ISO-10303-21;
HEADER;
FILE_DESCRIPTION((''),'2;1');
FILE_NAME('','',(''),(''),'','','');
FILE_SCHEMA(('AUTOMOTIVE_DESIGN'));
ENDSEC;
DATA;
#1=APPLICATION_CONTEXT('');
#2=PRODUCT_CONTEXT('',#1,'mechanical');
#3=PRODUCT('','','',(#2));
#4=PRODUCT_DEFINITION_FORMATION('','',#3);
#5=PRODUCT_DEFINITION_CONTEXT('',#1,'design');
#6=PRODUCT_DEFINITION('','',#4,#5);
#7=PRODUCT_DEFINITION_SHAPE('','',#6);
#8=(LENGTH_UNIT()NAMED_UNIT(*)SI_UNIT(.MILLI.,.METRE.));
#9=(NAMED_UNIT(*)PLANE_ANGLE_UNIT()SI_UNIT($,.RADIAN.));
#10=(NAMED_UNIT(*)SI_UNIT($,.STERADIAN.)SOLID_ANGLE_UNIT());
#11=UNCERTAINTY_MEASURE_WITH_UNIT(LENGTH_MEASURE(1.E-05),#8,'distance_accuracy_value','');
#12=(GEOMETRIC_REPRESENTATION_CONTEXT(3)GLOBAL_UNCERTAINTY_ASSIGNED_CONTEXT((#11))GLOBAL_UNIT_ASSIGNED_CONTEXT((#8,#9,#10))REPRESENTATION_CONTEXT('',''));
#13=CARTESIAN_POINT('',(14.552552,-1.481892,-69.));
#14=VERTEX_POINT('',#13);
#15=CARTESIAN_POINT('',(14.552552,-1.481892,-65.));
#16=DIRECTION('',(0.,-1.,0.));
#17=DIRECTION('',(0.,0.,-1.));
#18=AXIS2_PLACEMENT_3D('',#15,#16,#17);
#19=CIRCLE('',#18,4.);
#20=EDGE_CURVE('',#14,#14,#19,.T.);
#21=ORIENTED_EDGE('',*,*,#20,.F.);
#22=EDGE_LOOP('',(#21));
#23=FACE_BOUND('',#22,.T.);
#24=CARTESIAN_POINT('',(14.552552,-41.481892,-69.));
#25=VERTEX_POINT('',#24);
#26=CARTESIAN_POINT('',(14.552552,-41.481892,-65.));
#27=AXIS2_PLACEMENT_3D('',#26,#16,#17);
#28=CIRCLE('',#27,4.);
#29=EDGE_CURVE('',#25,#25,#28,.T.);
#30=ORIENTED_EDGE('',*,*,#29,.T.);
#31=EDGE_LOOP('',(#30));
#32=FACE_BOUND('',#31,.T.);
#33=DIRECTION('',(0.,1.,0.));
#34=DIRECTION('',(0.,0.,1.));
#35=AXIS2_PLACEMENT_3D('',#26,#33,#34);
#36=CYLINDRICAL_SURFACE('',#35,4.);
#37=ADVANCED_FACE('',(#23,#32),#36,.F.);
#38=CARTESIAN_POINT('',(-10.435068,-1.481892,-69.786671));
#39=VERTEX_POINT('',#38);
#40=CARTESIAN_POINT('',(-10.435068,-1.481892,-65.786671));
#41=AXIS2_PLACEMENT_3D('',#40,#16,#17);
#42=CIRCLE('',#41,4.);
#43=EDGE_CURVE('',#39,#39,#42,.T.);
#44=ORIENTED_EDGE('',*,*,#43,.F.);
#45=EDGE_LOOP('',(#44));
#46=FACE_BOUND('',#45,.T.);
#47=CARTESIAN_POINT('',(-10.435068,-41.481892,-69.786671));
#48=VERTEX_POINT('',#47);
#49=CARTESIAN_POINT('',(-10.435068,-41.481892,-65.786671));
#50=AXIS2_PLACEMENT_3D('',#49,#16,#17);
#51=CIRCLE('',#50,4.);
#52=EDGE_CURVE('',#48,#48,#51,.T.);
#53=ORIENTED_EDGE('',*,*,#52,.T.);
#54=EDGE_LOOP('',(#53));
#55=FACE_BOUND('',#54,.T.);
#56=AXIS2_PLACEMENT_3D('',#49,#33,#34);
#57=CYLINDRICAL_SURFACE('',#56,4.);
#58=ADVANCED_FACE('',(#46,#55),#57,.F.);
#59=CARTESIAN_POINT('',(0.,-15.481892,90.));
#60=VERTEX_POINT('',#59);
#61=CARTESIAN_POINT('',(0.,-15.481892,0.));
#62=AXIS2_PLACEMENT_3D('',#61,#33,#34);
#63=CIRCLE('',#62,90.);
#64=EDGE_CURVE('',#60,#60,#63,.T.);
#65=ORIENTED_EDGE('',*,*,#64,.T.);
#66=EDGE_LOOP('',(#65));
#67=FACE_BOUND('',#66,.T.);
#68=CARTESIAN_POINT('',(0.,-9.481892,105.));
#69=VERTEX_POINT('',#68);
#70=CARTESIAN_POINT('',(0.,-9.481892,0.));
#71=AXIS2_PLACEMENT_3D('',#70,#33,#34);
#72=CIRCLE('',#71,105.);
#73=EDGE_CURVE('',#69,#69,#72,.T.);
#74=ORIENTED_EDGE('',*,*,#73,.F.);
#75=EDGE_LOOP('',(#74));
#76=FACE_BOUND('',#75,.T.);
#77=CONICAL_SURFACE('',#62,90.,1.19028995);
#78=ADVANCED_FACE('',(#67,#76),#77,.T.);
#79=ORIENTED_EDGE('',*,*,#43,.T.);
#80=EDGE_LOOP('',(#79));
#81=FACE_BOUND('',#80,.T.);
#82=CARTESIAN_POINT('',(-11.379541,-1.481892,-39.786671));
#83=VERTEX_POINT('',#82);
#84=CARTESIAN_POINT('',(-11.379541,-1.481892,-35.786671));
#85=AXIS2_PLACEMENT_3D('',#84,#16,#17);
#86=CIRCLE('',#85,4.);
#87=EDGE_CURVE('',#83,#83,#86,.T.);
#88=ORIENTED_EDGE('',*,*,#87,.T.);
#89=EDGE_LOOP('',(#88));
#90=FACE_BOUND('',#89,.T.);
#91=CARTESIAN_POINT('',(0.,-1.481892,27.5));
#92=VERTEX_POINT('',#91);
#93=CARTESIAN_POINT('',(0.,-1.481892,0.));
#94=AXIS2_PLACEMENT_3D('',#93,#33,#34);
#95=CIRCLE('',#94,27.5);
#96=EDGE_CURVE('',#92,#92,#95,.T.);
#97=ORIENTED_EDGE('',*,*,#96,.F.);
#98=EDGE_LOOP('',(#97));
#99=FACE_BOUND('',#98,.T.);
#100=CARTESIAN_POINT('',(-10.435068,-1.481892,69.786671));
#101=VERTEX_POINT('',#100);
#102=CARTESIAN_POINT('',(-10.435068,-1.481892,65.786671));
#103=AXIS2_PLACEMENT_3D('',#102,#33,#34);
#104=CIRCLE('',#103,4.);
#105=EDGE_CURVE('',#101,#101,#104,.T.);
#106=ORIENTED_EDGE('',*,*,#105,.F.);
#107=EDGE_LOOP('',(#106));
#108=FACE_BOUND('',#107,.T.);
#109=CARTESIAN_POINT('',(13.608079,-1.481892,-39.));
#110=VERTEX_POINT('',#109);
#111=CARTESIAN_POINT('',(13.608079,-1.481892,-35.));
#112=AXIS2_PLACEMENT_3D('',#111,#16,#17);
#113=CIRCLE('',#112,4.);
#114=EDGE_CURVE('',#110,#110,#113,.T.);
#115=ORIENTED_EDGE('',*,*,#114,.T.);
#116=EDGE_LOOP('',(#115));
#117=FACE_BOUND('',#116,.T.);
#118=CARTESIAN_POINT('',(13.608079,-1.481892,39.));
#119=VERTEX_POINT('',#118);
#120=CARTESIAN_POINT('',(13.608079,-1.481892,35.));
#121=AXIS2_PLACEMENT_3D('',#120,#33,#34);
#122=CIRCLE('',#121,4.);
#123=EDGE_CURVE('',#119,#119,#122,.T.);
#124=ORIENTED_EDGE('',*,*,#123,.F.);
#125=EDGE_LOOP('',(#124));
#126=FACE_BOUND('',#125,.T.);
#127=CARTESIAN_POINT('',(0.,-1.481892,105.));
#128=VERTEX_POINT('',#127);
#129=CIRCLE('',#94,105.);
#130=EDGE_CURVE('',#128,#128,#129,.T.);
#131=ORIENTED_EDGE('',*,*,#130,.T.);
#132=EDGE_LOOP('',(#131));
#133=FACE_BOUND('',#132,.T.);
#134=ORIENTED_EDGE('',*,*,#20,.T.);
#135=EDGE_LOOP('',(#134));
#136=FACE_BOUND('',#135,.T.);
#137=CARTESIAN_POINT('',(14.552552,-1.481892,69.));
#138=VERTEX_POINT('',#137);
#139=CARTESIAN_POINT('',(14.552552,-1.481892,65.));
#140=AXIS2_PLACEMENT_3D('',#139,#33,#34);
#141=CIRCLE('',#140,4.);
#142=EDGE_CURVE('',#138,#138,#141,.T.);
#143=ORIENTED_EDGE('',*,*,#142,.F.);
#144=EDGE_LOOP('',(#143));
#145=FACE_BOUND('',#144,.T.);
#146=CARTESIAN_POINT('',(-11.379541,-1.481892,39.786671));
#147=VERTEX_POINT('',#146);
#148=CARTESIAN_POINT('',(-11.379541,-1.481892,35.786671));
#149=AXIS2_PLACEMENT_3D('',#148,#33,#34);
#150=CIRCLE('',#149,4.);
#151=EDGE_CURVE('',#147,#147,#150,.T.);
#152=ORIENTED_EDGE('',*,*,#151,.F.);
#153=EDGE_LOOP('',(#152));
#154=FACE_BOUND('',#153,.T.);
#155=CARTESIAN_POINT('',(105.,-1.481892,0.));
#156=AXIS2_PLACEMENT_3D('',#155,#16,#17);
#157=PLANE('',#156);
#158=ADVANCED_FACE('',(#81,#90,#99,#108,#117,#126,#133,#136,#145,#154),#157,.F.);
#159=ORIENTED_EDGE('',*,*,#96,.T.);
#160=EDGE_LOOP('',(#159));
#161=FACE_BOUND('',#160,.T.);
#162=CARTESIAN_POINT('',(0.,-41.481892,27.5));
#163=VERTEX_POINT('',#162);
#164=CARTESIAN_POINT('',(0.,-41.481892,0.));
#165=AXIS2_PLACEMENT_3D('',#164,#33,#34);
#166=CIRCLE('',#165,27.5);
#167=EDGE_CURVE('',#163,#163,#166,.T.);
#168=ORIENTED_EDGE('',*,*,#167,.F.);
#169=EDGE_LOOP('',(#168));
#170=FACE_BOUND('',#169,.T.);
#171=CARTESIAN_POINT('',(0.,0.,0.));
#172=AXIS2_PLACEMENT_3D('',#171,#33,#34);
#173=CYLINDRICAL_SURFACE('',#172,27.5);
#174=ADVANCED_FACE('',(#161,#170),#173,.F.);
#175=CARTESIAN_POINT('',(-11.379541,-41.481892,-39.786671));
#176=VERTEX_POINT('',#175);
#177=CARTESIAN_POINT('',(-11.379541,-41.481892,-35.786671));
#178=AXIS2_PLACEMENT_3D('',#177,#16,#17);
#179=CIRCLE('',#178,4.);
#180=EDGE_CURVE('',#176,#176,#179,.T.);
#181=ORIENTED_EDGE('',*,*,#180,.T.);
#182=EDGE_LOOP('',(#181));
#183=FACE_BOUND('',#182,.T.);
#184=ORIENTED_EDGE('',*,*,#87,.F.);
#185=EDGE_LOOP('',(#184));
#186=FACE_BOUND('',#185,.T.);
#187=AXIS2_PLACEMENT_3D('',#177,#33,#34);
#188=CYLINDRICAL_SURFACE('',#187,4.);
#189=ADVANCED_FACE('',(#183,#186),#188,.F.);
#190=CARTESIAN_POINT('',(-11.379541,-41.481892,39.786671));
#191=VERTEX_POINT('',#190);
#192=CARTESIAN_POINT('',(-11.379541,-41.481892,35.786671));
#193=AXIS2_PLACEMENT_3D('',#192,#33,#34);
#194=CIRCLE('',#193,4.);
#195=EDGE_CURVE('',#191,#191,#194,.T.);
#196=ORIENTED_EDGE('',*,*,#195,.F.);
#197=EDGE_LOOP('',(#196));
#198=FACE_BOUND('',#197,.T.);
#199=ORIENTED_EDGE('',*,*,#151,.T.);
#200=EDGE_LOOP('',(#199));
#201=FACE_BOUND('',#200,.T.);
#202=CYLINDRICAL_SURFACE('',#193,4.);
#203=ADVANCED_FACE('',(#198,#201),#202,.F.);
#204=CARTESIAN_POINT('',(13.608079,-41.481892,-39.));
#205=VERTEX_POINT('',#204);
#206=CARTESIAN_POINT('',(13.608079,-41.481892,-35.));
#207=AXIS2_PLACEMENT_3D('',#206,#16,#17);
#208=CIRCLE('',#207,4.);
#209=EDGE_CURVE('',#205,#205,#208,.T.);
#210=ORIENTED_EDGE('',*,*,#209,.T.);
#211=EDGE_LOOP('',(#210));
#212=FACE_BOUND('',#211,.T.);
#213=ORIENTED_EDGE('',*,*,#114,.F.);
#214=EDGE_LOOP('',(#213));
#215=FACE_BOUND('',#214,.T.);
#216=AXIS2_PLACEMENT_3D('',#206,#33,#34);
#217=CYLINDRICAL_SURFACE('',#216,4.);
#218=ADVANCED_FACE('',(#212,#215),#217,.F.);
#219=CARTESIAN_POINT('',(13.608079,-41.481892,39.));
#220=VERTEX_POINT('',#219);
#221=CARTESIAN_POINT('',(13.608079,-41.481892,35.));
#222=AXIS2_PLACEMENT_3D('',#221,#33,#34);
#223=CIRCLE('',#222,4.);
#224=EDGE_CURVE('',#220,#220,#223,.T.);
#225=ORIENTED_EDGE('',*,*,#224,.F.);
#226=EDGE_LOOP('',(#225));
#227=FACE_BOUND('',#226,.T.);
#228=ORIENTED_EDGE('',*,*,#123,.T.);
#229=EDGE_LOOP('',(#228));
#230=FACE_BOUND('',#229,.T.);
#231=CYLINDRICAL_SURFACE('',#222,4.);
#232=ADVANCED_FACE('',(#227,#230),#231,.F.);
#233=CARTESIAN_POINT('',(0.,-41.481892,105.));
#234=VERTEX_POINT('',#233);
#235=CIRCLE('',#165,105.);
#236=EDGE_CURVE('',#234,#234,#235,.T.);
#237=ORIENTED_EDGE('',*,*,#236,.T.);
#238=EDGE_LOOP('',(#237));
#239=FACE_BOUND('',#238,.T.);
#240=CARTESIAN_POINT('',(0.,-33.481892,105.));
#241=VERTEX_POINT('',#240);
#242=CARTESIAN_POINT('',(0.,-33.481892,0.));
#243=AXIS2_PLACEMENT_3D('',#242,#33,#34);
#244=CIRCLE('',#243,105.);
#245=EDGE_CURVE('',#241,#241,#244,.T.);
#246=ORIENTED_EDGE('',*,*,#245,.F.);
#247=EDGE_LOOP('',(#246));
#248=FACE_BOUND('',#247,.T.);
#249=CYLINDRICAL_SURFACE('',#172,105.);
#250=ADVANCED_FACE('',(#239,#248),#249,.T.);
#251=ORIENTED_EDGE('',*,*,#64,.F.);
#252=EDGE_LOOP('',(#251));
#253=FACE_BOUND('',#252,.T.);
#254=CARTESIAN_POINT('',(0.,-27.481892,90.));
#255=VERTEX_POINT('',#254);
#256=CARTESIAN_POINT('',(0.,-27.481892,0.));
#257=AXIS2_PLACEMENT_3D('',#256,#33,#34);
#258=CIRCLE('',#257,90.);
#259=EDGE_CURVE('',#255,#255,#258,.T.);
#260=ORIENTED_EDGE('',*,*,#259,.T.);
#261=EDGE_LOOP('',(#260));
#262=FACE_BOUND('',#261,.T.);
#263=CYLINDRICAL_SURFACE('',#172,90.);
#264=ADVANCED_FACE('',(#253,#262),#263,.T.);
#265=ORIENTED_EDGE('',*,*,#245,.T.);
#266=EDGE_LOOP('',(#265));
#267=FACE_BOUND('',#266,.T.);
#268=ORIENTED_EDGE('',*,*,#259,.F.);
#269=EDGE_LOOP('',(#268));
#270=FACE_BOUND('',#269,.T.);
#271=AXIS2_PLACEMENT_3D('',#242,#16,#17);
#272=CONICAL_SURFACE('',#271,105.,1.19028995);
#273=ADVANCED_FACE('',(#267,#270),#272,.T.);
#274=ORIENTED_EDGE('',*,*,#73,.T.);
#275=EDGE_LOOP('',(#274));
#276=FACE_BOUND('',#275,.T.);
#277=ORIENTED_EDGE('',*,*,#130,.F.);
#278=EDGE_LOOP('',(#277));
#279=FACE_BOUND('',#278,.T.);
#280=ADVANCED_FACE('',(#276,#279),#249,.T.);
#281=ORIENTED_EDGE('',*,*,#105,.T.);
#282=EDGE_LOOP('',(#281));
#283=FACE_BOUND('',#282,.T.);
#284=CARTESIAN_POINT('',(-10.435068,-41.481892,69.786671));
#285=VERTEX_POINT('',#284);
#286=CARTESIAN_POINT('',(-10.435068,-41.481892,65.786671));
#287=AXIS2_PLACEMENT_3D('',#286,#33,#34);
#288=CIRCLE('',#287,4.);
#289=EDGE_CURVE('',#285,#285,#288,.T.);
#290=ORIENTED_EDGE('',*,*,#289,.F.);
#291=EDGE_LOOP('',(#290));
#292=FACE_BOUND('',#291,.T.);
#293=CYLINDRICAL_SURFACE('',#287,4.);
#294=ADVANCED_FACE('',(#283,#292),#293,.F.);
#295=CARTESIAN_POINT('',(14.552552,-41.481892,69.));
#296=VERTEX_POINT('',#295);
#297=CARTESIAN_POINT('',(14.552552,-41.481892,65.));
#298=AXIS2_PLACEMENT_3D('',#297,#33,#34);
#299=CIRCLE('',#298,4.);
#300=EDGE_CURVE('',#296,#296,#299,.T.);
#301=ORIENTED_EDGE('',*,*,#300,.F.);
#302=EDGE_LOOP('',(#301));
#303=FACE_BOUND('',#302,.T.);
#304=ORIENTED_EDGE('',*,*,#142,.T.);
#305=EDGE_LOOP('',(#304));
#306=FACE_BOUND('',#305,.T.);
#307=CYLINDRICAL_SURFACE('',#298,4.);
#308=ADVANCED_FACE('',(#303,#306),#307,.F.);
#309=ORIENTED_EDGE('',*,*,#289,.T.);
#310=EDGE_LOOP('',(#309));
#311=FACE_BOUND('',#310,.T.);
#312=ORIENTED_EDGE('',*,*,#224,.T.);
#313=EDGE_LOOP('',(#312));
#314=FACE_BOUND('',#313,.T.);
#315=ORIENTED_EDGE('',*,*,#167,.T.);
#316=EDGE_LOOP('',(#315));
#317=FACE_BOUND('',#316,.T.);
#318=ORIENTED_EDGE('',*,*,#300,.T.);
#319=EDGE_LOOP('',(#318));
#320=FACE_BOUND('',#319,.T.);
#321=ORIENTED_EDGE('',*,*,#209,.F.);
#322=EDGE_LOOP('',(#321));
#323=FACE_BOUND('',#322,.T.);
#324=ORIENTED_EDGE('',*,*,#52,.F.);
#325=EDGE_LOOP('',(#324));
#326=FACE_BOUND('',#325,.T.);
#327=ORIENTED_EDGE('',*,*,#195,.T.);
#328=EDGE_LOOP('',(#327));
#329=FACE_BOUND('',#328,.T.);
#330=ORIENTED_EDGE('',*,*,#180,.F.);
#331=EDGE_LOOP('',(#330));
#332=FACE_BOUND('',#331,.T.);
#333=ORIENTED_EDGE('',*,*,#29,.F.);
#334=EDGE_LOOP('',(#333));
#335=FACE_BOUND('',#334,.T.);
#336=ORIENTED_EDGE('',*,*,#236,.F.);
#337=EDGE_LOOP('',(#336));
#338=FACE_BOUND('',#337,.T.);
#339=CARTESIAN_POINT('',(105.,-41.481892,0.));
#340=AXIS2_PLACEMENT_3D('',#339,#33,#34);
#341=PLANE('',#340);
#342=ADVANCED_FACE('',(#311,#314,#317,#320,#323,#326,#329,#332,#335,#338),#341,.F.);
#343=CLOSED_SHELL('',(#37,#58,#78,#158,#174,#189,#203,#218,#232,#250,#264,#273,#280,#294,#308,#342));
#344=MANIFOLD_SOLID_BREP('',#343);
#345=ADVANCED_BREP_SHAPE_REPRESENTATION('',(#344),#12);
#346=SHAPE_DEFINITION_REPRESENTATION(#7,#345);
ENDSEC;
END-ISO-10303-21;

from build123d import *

# Parameters (mm, degrees)
SKETCH2_R          = 4
CUT_EXTRUDE1_DEPTH = 154.785564992


with BuildPart() as part:
    # Sketch1 → Revolve1 (revolve)
    with BuildSketch(Plane.XY, mode=Mode.PRIVATE) as revolve1_sk:
        Polygon((27.5, -1.48189165), (27.5, -41.48189165), (105, -41.48189165), (105, -33.48189165), (90, -27.48189165), (90, -15.48189165), (105, -9.48189165), (105, -1.48189165), align=None)
    revolve(revolve1_sk.sketch.rotate(Axis((0, 0, 0), (0, -1, 0)), 90), axis=Axis((0, 0, 0), (0, -1, 0)))

    # Sketch2 → Cut-Extrude1 (cut, through all)
    with BuildSketch(Plane(origin=(0, -1.48189165, 0), x_dir=(1, 0, 0), z_dir=(0, 1, 0))):
        with Locations(Location((-11.379541398, -35.786671236, 0), (0, 0, 270))):
            Circle(SKETCH2_R)
        with Locations(Location((13.608078504, -35, 0), (0, 0, 270))):
            Circle(SKETCH2_R)
        with Locations(Location((14.552551693, -65, 0), (0, 0, 270))):
            Circle(SKETCH2_R)
        with Locations(Location((-10.435068209, -65.786671236, 0), (0, 0, 270))):
            Circle(SKETCH2_R)
    cut_extrude1 = extrude(amount=-CUT_EXTRUDE1_DEPTH, mode=Mode.SUBTRACT)

    # Mirror1: Cut-Extrude1 across plane
    add(cut_extrude1.mirror(Plane.XY), mode=Mode.SUBTRACT)


solid = part.part
